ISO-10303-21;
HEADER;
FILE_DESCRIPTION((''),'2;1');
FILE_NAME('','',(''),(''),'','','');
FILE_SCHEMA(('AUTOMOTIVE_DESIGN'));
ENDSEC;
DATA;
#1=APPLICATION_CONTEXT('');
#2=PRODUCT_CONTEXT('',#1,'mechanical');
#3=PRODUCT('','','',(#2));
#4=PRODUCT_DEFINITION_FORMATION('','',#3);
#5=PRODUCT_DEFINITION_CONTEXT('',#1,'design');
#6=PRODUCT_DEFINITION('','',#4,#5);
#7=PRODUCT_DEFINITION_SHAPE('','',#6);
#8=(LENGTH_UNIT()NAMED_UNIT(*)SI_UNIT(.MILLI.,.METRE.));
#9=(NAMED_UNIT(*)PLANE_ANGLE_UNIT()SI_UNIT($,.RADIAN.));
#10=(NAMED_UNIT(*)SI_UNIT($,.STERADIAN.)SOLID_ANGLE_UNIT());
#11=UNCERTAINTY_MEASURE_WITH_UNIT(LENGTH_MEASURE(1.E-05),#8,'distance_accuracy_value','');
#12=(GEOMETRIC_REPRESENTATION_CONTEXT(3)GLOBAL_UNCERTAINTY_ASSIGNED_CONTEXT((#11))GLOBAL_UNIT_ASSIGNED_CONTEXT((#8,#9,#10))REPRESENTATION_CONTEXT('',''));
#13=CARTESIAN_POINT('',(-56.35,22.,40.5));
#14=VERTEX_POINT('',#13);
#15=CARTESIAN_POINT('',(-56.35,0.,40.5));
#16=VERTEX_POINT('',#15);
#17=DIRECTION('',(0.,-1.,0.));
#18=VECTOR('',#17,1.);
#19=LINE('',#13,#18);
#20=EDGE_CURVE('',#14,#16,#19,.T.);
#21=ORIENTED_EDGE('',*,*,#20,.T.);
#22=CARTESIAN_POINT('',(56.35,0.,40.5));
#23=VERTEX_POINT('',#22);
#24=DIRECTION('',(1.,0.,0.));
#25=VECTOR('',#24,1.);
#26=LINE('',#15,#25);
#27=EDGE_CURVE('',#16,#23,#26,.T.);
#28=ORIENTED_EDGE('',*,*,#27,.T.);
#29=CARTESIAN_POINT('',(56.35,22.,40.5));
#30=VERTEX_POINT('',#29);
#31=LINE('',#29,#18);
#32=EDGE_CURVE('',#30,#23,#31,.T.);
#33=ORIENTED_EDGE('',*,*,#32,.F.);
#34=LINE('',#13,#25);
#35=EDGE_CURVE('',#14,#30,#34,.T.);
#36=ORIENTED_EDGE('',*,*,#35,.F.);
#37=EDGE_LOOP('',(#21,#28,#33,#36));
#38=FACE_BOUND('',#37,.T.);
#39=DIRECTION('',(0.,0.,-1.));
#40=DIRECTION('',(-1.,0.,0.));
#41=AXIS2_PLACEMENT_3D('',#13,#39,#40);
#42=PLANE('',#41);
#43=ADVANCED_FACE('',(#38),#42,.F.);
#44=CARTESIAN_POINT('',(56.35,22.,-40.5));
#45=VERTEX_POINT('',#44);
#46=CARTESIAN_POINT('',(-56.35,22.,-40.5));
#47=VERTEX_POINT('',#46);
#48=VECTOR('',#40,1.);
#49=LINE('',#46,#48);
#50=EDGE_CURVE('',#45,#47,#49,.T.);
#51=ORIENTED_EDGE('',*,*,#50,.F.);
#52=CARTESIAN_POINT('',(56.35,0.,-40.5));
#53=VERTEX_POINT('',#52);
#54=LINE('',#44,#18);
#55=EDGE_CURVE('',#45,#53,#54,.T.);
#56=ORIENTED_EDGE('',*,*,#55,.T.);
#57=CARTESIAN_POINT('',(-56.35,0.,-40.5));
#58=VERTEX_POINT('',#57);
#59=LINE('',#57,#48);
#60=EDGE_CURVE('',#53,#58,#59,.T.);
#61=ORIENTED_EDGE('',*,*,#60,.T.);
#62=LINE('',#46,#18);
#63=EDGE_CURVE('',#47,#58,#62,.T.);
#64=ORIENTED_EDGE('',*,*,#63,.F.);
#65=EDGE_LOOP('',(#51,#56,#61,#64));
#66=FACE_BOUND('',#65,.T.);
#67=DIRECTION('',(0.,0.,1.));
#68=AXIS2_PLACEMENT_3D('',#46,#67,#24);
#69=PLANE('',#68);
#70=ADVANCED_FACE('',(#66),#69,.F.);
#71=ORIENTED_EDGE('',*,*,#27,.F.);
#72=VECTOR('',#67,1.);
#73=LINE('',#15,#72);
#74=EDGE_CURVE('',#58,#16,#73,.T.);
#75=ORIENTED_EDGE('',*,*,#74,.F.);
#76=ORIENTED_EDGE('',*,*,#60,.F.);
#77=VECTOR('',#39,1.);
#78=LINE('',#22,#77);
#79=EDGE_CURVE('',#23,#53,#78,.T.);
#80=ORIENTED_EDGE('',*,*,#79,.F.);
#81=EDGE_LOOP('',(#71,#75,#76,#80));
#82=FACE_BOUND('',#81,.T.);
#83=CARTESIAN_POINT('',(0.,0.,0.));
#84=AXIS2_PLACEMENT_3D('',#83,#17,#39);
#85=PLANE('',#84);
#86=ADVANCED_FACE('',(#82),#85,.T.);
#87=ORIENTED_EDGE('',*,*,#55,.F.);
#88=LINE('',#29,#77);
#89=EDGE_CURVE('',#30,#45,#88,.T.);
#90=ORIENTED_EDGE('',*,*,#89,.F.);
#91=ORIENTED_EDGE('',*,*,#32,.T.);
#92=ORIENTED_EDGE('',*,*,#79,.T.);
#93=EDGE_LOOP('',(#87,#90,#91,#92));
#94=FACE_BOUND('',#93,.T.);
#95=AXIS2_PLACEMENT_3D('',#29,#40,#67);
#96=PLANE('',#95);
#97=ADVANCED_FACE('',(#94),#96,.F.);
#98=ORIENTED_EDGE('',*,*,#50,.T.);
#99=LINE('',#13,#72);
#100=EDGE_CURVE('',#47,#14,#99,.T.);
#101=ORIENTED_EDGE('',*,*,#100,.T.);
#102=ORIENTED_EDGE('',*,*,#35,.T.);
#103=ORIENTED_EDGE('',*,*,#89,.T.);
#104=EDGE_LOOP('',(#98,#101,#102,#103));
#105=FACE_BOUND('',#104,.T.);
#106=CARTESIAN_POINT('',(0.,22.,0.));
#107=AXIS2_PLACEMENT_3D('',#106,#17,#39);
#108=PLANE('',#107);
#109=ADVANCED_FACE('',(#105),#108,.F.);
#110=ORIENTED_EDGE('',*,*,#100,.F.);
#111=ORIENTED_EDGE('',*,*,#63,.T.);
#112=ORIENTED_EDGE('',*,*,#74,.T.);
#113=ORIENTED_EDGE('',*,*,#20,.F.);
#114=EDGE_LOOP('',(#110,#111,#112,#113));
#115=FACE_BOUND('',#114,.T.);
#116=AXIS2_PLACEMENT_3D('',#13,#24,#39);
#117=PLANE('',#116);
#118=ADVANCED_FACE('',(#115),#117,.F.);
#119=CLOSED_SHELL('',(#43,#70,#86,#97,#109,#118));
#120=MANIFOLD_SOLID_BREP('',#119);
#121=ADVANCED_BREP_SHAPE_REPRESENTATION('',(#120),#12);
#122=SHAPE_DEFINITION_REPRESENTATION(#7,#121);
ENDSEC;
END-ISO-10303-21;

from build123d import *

# Parameters (mm, degrees)
SKETCH_1_W      = 112.7
SKETCH_1_H      = 81
EXTRUDE_1_DEPTH = 22


with BuildPart() as part:
    # 草图1 → 凸台-拉伸1 (new body)
    with BuildSketch(Plane(origin=(0, 0, 0), x_dir=(1, 0, 0), z_dir=(0, 1, 0))):
        Rectangle(SKETCH_1_W, SKETCH_1_H)
    extrude(amount=EXTRUDE_1_DEPTH)


solid = part.part
